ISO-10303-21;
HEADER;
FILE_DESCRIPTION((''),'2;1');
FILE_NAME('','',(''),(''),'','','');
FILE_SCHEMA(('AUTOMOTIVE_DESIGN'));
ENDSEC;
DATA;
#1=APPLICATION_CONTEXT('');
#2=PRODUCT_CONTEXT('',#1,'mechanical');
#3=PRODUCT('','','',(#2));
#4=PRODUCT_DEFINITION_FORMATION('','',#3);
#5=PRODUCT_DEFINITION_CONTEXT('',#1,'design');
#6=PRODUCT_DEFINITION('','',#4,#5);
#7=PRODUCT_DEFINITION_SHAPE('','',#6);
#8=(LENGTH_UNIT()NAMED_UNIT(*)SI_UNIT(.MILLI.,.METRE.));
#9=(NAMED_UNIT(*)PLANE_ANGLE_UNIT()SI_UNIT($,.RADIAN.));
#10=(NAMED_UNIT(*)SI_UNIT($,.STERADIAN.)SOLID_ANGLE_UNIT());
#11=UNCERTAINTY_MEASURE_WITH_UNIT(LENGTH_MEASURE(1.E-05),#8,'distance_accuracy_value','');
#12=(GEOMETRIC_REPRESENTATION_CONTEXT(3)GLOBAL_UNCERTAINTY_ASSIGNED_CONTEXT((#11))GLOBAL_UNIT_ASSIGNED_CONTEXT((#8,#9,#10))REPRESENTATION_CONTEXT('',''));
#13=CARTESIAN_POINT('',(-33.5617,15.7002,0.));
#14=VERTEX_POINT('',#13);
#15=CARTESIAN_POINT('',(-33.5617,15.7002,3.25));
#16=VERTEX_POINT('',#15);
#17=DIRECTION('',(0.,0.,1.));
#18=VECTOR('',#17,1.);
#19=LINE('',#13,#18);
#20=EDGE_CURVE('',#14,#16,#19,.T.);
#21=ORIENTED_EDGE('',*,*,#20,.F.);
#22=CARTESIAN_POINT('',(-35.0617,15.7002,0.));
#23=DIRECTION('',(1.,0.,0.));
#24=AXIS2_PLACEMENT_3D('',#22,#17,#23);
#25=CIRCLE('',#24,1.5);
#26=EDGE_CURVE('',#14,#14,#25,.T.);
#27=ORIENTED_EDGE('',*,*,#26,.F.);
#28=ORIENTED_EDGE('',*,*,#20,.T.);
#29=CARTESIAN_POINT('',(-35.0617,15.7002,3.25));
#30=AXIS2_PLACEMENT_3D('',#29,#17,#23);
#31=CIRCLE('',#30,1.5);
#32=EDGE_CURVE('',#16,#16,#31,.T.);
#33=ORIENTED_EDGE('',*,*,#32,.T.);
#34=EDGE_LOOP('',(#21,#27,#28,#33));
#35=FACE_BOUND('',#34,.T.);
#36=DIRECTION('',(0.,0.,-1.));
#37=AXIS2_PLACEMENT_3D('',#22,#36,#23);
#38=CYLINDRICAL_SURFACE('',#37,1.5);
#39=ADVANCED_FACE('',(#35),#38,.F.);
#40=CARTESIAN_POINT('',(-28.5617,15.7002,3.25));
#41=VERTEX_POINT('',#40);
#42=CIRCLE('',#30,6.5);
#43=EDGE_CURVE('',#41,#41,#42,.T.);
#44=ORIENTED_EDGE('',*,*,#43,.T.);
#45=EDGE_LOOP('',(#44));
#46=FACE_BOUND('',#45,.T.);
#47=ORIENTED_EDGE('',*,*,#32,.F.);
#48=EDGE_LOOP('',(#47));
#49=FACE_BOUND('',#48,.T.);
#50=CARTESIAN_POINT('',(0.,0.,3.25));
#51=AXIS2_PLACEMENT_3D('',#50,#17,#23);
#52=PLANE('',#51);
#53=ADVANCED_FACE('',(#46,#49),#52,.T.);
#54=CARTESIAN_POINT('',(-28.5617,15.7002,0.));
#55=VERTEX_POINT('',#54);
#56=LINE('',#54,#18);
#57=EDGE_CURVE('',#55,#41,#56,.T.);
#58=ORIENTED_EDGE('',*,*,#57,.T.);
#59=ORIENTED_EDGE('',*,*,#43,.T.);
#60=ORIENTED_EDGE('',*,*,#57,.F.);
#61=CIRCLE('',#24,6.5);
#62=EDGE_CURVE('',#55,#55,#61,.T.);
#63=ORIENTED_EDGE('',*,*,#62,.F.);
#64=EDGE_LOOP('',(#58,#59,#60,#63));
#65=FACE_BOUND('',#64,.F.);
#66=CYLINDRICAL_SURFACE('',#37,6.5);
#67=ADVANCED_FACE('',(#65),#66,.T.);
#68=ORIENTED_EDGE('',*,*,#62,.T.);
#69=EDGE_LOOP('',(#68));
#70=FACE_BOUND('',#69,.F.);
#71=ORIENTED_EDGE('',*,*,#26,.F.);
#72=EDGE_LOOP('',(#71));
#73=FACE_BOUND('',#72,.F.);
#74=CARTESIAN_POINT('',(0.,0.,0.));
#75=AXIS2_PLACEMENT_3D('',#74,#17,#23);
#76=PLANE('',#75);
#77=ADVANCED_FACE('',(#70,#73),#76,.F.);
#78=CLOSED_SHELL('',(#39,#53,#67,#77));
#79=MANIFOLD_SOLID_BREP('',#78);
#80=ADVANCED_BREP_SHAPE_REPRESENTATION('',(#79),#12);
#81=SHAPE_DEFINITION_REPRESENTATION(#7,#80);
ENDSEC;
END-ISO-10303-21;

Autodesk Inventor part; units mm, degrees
ref_plane "YZ Plane" through (0, 0, 0) normal (1, 0, 0) x (0, 1, 0)
ref_plane "XZ Plane" through (0, 0, 0) normal (0, 1, 0) x (-1, 0, 0)
ref_plane "XY Plane" through (0, 0, 0) normal (0, 0, 1) x (1, 0, 0)
sketch "Sketch1" plane through (0, 0, 0) normal (0, 0, 1) x (1, 0, 0)
  line L0 (-92.7646, -8.503) -> (-89.7646, -8.503)
  line L1 (-89.7646, -8.503) -> (-89.7646, -11.753)
  line L2 (-89.7646, -11.753) -> (-92.7646, -11.753)
  line L3 (-92.7646, -11.753) -> (-92.7646, -8.503)
  line L4 (-92.7646, -21.6527) -> (-89.7646, -21.6527)
  line L5 (-89.7646, -21.6527) -> (-89.7646, -21.7527)
  line L6 (-89.7646, -21.7527) -> (-92.7646, -21.7527)
  line L7 (-92.7646, -21.7527) -> (-92.7646, -21.6527)
  circle A0 centre (-35.0617, 15.7002) radius 6.5
  circle A1 centre (-35.0617, 15.7002) radius 1.5
  point P0 (0, 0)
  dimension "d3" = 3
  dimension "mat" = 3.25
  dimension "d5" = 3
  dimension "kerf" = 0.1
  dimension "d35" = 13
  dimension "d36" = 3
extrude "Extrusion5" add sketch "Sketch1" along normal blind 3.25 contours A0
equation "\"d37\" = mat"
properties part number "body-back"
